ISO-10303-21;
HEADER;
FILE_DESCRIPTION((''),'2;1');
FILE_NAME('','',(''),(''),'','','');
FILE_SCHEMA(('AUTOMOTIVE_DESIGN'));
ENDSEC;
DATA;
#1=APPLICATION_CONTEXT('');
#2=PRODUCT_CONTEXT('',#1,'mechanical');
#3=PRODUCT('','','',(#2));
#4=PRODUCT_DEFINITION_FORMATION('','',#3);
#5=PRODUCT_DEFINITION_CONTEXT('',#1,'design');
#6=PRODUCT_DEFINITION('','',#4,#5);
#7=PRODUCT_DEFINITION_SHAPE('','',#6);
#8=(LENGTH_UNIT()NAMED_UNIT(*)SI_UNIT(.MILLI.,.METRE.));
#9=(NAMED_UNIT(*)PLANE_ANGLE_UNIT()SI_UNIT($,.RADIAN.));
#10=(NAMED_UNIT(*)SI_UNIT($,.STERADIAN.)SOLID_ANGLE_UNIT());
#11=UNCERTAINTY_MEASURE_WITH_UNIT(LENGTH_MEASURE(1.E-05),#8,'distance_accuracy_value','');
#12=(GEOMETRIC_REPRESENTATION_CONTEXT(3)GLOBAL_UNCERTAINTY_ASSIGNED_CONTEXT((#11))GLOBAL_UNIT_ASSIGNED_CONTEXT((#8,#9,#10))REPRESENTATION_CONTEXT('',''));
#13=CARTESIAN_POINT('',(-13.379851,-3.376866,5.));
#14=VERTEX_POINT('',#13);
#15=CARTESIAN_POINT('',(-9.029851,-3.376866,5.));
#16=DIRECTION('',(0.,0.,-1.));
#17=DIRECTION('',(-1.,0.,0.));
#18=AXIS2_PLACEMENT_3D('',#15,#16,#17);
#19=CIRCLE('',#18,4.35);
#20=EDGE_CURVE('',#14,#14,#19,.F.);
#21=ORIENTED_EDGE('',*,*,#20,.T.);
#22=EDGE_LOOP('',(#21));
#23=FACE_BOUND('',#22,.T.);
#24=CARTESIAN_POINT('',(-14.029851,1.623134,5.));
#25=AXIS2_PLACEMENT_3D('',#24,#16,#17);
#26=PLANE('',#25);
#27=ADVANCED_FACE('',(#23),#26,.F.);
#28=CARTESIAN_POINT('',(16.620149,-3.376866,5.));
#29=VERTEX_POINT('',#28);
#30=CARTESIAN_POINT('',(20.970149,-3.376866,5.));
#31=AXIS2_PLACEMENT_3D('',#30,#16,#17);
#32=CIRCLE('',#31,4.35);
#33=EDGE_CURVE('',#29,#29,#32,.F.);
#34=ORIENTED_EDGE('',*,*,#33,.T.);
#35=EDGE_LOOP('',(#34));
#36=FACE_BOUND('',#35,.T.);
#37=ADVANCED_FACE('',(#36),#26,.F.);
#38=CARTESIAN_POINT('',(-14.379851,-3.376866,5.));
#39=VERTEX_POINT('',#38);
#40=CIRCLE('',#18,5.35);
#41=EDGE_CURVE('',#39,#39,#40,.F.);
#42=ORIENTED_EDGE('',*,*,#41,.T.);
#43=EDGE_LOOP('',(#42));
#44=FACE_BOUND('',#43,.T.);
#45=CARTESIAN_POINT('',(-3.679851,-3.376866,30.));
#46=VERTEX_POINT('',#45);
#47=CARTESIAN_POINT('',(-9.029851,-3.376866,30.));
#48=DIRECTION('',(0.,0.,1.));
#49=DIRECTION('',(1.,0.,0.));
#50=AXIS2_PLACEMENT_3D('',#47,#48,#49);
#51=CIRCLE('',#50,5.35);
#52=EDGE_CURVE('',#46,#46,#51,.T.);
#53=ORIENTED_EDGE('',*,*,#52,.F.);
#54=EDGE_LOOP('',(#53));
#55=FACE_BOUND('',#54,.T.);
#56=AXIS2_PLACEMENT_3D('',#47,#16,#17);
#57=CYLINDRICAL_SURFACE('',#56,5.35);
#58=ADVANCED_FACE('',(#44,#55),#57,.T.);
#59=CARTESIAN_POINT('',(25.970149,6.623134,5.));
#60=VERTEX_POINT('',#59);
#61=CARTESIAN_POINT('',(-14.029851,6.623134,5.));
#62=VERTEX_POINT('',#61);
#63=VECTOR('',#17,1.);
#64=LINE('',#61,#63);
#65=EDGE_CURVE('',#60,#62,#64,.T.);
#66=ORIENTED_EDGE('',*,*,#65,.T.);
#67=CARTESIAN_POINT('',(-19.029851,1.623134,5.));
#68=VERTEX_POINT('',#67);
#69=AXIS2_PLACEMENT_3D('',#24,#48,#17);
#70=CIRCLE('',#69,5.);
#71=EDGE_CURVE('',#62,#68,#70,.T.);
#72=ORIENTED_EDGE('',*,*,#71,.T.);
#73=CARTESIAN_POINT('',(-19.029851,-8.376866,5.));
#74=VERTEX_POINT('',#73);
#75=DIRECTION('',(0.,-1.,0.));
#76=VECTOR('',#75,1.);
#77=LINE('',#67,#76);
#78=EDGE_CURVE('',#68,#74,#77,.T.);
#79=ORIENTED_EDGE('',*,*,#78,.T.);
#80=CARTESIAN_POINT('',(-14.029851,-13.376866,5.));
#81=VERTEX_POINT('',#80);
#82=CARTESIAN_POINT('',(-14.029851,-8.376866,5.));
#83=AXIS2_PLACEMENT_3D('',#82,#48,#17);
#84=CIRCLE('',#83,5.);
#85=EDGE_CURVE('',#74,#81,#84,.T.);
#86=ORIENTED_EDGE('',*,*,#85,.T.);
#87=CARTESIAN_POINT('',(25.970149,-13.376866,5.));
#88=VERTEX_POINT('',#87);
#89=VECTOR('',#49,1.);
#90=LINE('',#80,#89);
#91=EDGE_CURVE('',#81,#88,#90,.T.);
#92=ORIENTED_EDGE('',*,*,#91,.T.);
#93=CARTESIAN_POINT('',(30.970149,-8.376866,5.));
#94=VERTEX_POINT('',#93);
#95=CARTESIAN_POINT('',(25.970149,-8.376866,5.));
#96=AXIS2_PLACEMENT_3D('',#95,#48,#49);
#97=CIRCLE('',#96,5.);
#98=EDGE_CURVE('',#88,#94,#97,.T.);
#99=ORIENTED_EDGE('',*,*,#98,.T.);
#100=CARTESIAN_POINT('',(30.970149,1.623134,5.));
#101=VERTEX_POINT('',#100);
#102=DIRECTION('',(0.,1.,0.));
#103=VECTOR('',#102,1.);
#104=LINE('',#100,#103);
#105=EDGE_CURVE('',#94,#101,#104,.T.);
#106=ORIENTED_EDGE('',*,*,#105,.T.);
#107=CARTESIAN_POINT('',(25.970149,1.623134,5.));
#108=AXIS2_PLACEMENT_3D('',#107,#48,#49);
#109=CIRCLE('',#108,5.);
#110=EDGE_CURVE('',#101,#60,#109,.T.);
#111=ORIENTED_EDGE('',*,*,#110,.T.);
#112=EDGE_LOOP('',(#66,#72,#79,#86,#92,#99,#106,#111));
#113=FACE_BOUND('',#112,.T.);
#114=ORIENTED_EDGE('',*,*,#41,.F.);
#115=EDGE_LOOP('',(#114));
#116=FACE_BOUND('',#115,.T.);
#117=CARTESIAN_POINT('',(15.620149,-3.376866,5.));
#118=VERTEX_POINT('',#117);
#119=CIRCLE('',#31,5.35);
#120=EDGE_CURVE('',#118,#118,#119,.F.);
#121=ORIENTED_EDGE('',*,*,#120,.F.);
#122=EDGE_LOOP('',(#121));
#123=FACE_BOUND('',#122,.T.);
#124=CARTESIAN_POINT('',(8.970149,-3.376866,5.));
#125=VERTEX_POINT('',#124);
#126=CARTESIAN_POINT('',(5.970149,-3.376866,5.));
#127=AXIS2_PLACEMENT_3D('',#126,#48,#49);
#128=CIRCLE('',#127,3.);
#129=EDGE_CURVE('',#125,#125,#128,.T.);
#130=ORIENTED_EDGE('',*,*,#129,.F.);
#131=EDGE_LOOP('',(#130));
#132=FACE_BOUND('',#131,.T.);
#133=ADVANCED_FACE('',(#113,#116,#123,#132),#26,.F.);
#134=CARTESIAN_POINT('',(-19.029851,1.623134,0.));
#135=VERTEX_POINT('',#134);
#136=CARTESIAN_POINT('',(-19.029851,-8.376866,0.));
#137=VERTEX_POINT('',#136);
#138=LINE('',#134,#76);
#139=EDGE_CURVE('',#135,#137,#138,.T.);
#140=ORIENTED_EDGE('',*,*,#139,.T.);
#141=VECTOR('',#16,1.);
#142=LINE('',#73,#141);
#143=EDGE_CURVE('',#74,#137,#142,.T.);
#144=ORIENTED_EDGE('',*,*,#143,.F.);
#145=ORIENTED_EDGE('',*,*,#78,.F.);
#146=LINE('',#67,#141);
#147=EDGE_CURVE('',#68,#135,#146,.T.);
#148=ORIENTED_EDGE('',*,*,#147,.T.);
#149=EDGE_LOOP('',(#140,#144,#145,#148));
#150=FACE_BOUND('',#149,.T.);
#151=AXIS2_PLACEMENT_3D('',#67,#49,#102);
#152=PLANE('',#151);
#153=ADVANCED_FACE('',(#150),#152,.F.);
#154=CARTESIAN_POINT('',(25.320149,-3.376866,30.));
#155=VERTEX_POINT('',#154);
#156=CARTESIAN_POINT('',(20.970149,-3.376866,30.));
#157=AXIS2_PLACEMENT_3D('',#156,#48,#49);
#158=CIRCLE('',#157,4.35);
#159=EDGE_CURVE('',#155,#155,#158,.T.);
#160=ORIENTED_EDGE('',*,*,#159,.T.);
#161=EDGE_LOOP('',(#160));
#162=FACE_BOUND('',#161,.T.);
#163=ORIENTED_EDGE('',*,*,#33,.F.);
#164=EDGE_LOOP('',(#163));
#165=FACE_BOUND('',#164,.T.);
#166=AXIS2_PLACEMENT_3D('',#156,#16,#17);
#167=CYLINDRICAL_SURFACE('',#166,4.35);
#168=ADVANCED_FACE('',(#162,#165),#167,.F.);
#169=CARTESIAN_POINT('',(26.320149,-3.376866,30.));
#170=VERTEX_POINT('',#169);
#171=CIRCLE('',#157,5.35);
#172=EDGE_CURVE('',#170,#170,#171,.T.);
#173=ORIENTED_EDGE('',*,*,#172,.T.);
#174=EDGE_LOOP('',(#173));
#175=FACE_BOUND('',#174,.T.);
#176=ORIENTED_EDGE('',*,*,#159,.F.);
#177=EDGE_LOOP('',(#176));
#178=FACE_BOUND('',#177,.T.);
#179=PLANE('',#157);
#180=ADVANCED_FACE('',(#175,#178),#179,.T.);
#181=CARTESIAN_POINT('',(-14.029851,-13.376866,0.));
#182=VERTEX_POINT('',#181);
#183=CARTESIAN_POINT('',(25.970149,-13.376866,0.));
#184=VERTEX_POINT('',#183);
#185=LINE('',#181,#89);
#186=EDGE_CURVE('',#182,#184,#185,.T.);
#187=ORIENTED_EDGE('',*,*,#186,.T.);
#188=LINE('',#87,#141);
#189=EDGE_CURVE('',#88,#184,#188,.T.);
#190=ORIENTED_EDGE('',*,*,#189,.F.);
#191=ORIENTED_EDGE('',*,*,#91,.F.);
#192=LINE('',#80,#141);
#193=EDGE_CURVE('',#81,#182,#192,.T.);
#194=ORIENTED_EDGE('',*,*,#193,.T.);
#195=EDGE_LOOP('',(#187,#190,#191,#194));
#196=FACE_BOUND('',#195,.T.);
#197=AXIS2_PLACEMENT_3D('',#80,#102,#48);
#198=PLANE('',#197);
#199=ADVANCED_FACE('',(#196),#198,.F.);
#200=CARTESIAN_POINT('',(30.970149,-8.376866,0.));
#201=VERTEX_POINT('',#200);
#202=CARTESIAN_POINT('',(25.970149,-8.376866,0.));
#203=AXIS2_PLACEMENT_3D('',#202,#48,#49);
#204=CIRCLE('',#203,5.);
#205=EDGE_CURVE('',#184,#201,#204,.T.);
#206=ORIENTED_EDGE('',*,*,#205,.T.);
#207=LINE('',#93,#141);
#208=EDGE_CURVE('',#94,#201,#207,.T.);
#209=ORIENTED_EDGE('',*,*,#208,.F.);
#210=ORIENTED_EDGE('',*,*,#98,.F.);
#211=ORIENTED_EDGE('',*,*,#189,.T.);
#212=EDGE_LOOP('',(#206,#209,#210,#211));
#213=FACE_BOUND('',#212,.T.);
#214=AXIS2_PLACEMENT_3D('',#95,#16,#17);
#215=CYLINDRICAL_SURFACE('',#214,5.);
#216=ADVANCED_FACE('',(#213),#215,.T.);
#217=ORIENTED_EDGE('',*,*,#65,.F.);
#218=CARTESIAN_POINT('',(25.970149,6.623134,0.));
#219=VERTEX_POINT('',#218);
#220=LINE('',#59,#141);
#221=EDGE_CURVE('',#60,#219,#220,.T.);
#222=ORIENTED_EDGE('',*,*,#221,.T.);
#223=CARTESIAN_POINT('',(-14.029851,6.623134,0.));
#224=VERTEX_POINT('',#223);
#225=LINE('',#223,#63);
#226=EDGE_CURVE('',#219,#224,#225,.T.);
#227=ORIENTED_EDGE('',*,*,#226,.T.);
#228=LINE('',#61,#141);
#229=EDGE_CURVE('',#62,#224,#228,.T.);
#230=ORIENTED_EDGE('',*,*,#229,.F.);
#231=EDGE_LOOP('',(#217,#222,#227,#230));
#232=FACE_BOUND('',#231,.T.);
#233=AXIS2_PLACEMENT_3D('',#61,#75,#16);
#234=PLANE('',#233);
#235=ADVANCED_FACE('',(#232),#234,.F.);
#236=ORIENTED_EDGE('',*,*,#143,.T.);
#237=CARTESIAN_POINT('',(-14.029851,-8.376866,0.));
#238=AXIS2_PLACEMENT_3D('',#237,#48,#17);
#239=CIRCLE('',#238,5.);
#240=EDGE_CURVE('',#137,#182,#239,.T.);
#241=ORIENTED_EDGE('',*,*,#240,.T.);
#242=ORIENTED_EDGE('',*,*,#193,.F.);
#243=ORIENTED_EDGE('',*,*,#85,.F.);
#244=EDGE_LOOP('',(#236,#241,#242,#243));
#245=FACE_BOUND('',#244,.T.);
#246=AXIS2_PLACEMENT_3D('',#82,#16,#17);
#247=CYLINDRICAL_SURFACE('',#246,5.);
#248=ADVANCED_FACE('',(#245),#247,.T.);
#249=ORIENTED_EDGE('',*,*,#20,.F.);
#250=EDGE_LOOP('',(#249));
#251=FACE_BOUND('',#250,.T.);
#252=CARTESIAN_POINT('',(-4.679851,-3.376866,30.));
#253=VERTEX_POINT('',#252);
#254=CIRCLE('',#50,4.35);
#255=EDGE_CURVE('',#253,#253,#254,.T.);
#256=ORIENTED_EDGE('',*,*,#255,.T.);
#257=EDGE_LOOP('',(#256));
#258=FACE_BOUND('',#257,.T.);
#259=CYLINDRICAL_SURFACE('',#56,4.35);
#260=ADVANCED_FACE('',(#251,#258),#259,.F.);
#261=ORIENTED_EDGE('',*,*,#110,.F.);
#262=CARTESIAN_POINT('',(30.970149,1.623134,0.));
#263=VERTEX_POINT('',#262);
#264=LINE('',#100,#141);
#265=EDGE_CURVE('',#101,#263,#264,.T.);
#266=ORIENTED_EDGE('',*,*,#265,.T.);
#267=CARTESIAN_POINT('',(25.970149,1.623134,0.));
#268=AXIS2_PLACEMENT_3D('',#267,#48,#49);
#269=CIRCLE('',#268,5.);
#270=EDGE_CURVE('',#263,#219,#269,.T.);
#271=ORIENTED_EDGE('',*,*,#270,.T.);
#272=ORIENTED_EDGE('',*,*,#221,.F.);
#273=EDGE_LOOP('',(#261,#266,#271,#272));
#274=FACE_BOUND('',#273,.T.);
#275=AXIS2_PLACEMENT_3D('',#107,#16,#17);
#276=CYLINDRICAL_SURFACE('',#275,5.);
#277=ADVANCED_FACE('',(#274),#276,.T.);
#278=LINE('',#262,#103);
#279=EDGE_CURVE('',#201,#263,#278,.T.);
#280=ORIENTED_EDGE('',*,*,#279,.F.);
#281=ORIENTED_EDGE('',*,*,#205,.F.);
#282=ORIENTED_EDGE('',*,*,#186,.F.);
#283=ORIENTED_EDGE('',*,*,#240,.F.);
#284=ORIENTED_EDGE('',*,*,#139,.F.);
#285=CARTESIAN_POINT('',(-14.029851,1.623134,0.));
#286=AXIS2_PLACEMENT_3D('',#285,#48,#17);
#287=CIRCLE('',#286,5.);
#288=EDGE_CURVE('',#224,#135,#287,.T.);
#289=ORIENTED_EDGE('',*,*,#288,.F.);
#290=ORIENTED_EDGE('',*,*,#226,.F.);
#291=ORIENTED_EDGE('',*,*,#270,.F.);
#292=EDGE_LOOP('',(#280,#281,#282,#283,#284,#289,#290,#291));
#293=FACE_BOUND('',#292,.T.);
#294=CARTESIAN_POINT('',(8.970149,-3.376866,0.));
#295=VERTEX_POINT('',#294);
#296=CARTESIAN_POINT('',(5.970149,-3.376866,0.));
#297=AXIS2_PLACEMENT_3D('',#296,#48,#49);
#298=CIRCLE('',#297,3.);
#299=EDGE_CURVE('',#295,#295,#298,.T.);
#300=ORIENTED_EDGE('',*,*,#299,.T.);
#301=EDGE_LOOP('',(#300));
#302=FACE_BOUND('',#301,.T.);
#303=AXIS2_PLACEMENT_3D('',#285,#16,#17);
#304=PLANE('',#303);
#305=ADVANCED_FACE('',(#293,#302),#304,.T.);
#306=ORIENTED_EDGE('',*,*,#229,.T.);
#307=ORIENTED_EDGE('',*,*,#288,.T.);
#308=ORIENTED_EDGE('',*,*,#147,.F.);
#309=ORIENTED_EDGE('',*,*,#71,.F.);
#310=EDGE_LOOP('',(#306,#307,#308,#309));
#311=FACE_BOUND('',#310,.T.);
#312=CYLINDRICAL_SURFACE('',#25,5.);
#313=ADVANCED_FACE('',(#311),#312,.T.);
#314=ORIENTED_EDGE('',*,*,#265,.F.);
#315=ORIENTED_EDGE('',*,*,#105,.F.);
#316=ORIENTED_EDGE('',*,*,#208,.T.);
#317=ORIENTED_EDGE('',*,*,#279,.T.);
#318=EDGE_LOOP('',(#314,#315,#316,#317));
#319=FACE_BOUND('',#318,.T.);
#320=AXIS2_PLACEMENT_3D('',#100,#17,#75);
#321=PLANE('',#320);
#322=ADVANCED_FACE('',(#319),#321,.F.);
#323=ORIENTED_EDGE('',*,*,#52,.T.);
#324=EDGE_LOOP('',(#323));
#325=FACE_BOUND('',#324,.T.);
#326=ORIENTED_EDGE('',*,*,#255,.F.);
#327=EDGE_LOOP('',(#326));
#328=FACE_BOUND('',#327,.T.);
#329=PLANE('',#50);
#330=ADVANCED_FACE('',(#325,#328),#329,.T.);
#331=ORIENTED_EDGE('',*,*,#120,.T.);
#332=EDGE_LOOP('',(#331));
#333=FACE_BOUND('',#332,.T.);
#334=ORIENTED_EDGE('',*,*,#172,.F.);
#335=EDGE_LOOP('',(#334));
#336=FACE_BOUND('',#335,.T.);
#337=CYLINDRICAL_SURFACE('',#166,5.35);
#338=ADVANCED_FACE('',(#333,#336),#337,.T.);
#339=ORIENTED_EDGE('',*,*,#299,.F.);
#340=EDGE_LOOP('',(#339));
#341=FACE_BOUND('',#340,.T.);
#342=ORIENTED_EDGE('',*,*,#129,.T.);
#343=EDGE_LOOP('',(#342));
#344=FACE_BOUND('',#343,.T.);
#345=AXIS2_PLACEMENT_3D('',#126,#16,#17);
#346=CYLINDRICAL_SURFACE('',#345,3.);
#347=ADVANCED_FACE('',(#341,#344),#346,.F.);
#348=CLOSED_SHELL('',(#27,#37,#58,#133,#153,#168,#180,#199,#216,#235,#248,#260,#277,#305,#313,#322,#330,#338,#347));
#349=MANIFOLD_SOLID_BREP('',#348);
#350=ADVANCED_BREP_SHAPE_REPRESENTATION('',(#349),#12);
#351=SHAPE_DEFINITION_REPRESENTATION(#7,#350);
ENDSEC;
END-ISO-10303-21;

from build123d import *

# Parameters (mm, degrees)
SKETCH1_R           = 4.85
SKETCH1_R_2         = 3
BOSS_EXTRUDE5_DEPTH = 5
SKETCH1_7_R         = 4.85
BOSS_EXTRUDE6_DEPTH = 5
SKETCH1_8_R         = 5.35
SKETCH1_8_R_2       = 4.35
EXTRUDE_THIN1_DEPTH = 30


with BuildPart() as part:
    # Sketch1 → Boss-Extrude5 (new body)
    with BuildSketch(Plane.XY):
        with BuildLine():
            Line((-14.029850746, 6.623134328), (25.970149254, 6.623134328))
            ThreePointArc((25.970149254, 6.623134328), (29.50568316, 5.158668234), (30.970149254, 1.623134328))
            Line((30.970149254, 1.623134328), (30.970149254, -8.376865672))
            ThreePointArc((30.970149254, -8.376865672), (29.50568316, -11.912399578), (25.970149254, -13.376865672))
            Line((25.970149254, -13.376865672), (-14.029850746, -13.376865672))
            ThreePointArc((-14.029850746, -13.376865672), (-17.565384652, -11.912399578), (-19.029850746, -8.376865672))
            Line((-19.029850746, -8.376865672), (-19.029850746, 1.623134328))
            ThreePointArc((-19.029850746, 1.623134328), (-17.565384652, 5.158668234), (-14.029850746, 6.623134328))
        make_face()
        with Locations((-9.029850746, -3.376865672)):
            Circle(SKETCH1_R, mode=Mode.SUBTRACT)
        with Locations((20.970149254, -3.376865672)):
            Circle(SKETCH1_R, mode=Mode.SUBTRACT)
        with Locations((5.970149254, -3.376865672)):
            Circle(SKETCH1_R_2, mode=Mode.SUBTRACT)
    extrude(amount=BOSS_EXTRUDE5_DEPTH)

    # Sketch1<7> → Boss-Extrude6 (add)
    with BuildSketch(Plane.XY):
        with Locations((-9.029850746, -3.376865672)):
            Circle(SKETCH1_7_R)
        with Locations((20.970149254, -3.376865672)):
            Circle(SKETCH1_7_R)
    extrude(amount=BOSS_EXTRUDE6_DEPTH)

    # Sketch1<8> → Extrude-Thin1 (add)
    with BuildSketch(Plane.XY):
        with Locations((-9.029850746, -3.376865672)):
            Circle(SKETCH1_8_R)
        with Locations((-9.029850746, -3.376865672)):
            Circle(SKETCH1_8_R_2, mode=Mode.SUBTRACT)
        with Locations((20.970149254, -3.376865672)):
            Circle(SKETCH1_8_R)
        with Locations((20.970149254, -3.376865672)):
            Circle(SKETCH1_8_R_2, mode=Mode.SUBTRACT)
    extrude(amount=EXTRUDE_THIN1_DEPTH)


solid = part.part
